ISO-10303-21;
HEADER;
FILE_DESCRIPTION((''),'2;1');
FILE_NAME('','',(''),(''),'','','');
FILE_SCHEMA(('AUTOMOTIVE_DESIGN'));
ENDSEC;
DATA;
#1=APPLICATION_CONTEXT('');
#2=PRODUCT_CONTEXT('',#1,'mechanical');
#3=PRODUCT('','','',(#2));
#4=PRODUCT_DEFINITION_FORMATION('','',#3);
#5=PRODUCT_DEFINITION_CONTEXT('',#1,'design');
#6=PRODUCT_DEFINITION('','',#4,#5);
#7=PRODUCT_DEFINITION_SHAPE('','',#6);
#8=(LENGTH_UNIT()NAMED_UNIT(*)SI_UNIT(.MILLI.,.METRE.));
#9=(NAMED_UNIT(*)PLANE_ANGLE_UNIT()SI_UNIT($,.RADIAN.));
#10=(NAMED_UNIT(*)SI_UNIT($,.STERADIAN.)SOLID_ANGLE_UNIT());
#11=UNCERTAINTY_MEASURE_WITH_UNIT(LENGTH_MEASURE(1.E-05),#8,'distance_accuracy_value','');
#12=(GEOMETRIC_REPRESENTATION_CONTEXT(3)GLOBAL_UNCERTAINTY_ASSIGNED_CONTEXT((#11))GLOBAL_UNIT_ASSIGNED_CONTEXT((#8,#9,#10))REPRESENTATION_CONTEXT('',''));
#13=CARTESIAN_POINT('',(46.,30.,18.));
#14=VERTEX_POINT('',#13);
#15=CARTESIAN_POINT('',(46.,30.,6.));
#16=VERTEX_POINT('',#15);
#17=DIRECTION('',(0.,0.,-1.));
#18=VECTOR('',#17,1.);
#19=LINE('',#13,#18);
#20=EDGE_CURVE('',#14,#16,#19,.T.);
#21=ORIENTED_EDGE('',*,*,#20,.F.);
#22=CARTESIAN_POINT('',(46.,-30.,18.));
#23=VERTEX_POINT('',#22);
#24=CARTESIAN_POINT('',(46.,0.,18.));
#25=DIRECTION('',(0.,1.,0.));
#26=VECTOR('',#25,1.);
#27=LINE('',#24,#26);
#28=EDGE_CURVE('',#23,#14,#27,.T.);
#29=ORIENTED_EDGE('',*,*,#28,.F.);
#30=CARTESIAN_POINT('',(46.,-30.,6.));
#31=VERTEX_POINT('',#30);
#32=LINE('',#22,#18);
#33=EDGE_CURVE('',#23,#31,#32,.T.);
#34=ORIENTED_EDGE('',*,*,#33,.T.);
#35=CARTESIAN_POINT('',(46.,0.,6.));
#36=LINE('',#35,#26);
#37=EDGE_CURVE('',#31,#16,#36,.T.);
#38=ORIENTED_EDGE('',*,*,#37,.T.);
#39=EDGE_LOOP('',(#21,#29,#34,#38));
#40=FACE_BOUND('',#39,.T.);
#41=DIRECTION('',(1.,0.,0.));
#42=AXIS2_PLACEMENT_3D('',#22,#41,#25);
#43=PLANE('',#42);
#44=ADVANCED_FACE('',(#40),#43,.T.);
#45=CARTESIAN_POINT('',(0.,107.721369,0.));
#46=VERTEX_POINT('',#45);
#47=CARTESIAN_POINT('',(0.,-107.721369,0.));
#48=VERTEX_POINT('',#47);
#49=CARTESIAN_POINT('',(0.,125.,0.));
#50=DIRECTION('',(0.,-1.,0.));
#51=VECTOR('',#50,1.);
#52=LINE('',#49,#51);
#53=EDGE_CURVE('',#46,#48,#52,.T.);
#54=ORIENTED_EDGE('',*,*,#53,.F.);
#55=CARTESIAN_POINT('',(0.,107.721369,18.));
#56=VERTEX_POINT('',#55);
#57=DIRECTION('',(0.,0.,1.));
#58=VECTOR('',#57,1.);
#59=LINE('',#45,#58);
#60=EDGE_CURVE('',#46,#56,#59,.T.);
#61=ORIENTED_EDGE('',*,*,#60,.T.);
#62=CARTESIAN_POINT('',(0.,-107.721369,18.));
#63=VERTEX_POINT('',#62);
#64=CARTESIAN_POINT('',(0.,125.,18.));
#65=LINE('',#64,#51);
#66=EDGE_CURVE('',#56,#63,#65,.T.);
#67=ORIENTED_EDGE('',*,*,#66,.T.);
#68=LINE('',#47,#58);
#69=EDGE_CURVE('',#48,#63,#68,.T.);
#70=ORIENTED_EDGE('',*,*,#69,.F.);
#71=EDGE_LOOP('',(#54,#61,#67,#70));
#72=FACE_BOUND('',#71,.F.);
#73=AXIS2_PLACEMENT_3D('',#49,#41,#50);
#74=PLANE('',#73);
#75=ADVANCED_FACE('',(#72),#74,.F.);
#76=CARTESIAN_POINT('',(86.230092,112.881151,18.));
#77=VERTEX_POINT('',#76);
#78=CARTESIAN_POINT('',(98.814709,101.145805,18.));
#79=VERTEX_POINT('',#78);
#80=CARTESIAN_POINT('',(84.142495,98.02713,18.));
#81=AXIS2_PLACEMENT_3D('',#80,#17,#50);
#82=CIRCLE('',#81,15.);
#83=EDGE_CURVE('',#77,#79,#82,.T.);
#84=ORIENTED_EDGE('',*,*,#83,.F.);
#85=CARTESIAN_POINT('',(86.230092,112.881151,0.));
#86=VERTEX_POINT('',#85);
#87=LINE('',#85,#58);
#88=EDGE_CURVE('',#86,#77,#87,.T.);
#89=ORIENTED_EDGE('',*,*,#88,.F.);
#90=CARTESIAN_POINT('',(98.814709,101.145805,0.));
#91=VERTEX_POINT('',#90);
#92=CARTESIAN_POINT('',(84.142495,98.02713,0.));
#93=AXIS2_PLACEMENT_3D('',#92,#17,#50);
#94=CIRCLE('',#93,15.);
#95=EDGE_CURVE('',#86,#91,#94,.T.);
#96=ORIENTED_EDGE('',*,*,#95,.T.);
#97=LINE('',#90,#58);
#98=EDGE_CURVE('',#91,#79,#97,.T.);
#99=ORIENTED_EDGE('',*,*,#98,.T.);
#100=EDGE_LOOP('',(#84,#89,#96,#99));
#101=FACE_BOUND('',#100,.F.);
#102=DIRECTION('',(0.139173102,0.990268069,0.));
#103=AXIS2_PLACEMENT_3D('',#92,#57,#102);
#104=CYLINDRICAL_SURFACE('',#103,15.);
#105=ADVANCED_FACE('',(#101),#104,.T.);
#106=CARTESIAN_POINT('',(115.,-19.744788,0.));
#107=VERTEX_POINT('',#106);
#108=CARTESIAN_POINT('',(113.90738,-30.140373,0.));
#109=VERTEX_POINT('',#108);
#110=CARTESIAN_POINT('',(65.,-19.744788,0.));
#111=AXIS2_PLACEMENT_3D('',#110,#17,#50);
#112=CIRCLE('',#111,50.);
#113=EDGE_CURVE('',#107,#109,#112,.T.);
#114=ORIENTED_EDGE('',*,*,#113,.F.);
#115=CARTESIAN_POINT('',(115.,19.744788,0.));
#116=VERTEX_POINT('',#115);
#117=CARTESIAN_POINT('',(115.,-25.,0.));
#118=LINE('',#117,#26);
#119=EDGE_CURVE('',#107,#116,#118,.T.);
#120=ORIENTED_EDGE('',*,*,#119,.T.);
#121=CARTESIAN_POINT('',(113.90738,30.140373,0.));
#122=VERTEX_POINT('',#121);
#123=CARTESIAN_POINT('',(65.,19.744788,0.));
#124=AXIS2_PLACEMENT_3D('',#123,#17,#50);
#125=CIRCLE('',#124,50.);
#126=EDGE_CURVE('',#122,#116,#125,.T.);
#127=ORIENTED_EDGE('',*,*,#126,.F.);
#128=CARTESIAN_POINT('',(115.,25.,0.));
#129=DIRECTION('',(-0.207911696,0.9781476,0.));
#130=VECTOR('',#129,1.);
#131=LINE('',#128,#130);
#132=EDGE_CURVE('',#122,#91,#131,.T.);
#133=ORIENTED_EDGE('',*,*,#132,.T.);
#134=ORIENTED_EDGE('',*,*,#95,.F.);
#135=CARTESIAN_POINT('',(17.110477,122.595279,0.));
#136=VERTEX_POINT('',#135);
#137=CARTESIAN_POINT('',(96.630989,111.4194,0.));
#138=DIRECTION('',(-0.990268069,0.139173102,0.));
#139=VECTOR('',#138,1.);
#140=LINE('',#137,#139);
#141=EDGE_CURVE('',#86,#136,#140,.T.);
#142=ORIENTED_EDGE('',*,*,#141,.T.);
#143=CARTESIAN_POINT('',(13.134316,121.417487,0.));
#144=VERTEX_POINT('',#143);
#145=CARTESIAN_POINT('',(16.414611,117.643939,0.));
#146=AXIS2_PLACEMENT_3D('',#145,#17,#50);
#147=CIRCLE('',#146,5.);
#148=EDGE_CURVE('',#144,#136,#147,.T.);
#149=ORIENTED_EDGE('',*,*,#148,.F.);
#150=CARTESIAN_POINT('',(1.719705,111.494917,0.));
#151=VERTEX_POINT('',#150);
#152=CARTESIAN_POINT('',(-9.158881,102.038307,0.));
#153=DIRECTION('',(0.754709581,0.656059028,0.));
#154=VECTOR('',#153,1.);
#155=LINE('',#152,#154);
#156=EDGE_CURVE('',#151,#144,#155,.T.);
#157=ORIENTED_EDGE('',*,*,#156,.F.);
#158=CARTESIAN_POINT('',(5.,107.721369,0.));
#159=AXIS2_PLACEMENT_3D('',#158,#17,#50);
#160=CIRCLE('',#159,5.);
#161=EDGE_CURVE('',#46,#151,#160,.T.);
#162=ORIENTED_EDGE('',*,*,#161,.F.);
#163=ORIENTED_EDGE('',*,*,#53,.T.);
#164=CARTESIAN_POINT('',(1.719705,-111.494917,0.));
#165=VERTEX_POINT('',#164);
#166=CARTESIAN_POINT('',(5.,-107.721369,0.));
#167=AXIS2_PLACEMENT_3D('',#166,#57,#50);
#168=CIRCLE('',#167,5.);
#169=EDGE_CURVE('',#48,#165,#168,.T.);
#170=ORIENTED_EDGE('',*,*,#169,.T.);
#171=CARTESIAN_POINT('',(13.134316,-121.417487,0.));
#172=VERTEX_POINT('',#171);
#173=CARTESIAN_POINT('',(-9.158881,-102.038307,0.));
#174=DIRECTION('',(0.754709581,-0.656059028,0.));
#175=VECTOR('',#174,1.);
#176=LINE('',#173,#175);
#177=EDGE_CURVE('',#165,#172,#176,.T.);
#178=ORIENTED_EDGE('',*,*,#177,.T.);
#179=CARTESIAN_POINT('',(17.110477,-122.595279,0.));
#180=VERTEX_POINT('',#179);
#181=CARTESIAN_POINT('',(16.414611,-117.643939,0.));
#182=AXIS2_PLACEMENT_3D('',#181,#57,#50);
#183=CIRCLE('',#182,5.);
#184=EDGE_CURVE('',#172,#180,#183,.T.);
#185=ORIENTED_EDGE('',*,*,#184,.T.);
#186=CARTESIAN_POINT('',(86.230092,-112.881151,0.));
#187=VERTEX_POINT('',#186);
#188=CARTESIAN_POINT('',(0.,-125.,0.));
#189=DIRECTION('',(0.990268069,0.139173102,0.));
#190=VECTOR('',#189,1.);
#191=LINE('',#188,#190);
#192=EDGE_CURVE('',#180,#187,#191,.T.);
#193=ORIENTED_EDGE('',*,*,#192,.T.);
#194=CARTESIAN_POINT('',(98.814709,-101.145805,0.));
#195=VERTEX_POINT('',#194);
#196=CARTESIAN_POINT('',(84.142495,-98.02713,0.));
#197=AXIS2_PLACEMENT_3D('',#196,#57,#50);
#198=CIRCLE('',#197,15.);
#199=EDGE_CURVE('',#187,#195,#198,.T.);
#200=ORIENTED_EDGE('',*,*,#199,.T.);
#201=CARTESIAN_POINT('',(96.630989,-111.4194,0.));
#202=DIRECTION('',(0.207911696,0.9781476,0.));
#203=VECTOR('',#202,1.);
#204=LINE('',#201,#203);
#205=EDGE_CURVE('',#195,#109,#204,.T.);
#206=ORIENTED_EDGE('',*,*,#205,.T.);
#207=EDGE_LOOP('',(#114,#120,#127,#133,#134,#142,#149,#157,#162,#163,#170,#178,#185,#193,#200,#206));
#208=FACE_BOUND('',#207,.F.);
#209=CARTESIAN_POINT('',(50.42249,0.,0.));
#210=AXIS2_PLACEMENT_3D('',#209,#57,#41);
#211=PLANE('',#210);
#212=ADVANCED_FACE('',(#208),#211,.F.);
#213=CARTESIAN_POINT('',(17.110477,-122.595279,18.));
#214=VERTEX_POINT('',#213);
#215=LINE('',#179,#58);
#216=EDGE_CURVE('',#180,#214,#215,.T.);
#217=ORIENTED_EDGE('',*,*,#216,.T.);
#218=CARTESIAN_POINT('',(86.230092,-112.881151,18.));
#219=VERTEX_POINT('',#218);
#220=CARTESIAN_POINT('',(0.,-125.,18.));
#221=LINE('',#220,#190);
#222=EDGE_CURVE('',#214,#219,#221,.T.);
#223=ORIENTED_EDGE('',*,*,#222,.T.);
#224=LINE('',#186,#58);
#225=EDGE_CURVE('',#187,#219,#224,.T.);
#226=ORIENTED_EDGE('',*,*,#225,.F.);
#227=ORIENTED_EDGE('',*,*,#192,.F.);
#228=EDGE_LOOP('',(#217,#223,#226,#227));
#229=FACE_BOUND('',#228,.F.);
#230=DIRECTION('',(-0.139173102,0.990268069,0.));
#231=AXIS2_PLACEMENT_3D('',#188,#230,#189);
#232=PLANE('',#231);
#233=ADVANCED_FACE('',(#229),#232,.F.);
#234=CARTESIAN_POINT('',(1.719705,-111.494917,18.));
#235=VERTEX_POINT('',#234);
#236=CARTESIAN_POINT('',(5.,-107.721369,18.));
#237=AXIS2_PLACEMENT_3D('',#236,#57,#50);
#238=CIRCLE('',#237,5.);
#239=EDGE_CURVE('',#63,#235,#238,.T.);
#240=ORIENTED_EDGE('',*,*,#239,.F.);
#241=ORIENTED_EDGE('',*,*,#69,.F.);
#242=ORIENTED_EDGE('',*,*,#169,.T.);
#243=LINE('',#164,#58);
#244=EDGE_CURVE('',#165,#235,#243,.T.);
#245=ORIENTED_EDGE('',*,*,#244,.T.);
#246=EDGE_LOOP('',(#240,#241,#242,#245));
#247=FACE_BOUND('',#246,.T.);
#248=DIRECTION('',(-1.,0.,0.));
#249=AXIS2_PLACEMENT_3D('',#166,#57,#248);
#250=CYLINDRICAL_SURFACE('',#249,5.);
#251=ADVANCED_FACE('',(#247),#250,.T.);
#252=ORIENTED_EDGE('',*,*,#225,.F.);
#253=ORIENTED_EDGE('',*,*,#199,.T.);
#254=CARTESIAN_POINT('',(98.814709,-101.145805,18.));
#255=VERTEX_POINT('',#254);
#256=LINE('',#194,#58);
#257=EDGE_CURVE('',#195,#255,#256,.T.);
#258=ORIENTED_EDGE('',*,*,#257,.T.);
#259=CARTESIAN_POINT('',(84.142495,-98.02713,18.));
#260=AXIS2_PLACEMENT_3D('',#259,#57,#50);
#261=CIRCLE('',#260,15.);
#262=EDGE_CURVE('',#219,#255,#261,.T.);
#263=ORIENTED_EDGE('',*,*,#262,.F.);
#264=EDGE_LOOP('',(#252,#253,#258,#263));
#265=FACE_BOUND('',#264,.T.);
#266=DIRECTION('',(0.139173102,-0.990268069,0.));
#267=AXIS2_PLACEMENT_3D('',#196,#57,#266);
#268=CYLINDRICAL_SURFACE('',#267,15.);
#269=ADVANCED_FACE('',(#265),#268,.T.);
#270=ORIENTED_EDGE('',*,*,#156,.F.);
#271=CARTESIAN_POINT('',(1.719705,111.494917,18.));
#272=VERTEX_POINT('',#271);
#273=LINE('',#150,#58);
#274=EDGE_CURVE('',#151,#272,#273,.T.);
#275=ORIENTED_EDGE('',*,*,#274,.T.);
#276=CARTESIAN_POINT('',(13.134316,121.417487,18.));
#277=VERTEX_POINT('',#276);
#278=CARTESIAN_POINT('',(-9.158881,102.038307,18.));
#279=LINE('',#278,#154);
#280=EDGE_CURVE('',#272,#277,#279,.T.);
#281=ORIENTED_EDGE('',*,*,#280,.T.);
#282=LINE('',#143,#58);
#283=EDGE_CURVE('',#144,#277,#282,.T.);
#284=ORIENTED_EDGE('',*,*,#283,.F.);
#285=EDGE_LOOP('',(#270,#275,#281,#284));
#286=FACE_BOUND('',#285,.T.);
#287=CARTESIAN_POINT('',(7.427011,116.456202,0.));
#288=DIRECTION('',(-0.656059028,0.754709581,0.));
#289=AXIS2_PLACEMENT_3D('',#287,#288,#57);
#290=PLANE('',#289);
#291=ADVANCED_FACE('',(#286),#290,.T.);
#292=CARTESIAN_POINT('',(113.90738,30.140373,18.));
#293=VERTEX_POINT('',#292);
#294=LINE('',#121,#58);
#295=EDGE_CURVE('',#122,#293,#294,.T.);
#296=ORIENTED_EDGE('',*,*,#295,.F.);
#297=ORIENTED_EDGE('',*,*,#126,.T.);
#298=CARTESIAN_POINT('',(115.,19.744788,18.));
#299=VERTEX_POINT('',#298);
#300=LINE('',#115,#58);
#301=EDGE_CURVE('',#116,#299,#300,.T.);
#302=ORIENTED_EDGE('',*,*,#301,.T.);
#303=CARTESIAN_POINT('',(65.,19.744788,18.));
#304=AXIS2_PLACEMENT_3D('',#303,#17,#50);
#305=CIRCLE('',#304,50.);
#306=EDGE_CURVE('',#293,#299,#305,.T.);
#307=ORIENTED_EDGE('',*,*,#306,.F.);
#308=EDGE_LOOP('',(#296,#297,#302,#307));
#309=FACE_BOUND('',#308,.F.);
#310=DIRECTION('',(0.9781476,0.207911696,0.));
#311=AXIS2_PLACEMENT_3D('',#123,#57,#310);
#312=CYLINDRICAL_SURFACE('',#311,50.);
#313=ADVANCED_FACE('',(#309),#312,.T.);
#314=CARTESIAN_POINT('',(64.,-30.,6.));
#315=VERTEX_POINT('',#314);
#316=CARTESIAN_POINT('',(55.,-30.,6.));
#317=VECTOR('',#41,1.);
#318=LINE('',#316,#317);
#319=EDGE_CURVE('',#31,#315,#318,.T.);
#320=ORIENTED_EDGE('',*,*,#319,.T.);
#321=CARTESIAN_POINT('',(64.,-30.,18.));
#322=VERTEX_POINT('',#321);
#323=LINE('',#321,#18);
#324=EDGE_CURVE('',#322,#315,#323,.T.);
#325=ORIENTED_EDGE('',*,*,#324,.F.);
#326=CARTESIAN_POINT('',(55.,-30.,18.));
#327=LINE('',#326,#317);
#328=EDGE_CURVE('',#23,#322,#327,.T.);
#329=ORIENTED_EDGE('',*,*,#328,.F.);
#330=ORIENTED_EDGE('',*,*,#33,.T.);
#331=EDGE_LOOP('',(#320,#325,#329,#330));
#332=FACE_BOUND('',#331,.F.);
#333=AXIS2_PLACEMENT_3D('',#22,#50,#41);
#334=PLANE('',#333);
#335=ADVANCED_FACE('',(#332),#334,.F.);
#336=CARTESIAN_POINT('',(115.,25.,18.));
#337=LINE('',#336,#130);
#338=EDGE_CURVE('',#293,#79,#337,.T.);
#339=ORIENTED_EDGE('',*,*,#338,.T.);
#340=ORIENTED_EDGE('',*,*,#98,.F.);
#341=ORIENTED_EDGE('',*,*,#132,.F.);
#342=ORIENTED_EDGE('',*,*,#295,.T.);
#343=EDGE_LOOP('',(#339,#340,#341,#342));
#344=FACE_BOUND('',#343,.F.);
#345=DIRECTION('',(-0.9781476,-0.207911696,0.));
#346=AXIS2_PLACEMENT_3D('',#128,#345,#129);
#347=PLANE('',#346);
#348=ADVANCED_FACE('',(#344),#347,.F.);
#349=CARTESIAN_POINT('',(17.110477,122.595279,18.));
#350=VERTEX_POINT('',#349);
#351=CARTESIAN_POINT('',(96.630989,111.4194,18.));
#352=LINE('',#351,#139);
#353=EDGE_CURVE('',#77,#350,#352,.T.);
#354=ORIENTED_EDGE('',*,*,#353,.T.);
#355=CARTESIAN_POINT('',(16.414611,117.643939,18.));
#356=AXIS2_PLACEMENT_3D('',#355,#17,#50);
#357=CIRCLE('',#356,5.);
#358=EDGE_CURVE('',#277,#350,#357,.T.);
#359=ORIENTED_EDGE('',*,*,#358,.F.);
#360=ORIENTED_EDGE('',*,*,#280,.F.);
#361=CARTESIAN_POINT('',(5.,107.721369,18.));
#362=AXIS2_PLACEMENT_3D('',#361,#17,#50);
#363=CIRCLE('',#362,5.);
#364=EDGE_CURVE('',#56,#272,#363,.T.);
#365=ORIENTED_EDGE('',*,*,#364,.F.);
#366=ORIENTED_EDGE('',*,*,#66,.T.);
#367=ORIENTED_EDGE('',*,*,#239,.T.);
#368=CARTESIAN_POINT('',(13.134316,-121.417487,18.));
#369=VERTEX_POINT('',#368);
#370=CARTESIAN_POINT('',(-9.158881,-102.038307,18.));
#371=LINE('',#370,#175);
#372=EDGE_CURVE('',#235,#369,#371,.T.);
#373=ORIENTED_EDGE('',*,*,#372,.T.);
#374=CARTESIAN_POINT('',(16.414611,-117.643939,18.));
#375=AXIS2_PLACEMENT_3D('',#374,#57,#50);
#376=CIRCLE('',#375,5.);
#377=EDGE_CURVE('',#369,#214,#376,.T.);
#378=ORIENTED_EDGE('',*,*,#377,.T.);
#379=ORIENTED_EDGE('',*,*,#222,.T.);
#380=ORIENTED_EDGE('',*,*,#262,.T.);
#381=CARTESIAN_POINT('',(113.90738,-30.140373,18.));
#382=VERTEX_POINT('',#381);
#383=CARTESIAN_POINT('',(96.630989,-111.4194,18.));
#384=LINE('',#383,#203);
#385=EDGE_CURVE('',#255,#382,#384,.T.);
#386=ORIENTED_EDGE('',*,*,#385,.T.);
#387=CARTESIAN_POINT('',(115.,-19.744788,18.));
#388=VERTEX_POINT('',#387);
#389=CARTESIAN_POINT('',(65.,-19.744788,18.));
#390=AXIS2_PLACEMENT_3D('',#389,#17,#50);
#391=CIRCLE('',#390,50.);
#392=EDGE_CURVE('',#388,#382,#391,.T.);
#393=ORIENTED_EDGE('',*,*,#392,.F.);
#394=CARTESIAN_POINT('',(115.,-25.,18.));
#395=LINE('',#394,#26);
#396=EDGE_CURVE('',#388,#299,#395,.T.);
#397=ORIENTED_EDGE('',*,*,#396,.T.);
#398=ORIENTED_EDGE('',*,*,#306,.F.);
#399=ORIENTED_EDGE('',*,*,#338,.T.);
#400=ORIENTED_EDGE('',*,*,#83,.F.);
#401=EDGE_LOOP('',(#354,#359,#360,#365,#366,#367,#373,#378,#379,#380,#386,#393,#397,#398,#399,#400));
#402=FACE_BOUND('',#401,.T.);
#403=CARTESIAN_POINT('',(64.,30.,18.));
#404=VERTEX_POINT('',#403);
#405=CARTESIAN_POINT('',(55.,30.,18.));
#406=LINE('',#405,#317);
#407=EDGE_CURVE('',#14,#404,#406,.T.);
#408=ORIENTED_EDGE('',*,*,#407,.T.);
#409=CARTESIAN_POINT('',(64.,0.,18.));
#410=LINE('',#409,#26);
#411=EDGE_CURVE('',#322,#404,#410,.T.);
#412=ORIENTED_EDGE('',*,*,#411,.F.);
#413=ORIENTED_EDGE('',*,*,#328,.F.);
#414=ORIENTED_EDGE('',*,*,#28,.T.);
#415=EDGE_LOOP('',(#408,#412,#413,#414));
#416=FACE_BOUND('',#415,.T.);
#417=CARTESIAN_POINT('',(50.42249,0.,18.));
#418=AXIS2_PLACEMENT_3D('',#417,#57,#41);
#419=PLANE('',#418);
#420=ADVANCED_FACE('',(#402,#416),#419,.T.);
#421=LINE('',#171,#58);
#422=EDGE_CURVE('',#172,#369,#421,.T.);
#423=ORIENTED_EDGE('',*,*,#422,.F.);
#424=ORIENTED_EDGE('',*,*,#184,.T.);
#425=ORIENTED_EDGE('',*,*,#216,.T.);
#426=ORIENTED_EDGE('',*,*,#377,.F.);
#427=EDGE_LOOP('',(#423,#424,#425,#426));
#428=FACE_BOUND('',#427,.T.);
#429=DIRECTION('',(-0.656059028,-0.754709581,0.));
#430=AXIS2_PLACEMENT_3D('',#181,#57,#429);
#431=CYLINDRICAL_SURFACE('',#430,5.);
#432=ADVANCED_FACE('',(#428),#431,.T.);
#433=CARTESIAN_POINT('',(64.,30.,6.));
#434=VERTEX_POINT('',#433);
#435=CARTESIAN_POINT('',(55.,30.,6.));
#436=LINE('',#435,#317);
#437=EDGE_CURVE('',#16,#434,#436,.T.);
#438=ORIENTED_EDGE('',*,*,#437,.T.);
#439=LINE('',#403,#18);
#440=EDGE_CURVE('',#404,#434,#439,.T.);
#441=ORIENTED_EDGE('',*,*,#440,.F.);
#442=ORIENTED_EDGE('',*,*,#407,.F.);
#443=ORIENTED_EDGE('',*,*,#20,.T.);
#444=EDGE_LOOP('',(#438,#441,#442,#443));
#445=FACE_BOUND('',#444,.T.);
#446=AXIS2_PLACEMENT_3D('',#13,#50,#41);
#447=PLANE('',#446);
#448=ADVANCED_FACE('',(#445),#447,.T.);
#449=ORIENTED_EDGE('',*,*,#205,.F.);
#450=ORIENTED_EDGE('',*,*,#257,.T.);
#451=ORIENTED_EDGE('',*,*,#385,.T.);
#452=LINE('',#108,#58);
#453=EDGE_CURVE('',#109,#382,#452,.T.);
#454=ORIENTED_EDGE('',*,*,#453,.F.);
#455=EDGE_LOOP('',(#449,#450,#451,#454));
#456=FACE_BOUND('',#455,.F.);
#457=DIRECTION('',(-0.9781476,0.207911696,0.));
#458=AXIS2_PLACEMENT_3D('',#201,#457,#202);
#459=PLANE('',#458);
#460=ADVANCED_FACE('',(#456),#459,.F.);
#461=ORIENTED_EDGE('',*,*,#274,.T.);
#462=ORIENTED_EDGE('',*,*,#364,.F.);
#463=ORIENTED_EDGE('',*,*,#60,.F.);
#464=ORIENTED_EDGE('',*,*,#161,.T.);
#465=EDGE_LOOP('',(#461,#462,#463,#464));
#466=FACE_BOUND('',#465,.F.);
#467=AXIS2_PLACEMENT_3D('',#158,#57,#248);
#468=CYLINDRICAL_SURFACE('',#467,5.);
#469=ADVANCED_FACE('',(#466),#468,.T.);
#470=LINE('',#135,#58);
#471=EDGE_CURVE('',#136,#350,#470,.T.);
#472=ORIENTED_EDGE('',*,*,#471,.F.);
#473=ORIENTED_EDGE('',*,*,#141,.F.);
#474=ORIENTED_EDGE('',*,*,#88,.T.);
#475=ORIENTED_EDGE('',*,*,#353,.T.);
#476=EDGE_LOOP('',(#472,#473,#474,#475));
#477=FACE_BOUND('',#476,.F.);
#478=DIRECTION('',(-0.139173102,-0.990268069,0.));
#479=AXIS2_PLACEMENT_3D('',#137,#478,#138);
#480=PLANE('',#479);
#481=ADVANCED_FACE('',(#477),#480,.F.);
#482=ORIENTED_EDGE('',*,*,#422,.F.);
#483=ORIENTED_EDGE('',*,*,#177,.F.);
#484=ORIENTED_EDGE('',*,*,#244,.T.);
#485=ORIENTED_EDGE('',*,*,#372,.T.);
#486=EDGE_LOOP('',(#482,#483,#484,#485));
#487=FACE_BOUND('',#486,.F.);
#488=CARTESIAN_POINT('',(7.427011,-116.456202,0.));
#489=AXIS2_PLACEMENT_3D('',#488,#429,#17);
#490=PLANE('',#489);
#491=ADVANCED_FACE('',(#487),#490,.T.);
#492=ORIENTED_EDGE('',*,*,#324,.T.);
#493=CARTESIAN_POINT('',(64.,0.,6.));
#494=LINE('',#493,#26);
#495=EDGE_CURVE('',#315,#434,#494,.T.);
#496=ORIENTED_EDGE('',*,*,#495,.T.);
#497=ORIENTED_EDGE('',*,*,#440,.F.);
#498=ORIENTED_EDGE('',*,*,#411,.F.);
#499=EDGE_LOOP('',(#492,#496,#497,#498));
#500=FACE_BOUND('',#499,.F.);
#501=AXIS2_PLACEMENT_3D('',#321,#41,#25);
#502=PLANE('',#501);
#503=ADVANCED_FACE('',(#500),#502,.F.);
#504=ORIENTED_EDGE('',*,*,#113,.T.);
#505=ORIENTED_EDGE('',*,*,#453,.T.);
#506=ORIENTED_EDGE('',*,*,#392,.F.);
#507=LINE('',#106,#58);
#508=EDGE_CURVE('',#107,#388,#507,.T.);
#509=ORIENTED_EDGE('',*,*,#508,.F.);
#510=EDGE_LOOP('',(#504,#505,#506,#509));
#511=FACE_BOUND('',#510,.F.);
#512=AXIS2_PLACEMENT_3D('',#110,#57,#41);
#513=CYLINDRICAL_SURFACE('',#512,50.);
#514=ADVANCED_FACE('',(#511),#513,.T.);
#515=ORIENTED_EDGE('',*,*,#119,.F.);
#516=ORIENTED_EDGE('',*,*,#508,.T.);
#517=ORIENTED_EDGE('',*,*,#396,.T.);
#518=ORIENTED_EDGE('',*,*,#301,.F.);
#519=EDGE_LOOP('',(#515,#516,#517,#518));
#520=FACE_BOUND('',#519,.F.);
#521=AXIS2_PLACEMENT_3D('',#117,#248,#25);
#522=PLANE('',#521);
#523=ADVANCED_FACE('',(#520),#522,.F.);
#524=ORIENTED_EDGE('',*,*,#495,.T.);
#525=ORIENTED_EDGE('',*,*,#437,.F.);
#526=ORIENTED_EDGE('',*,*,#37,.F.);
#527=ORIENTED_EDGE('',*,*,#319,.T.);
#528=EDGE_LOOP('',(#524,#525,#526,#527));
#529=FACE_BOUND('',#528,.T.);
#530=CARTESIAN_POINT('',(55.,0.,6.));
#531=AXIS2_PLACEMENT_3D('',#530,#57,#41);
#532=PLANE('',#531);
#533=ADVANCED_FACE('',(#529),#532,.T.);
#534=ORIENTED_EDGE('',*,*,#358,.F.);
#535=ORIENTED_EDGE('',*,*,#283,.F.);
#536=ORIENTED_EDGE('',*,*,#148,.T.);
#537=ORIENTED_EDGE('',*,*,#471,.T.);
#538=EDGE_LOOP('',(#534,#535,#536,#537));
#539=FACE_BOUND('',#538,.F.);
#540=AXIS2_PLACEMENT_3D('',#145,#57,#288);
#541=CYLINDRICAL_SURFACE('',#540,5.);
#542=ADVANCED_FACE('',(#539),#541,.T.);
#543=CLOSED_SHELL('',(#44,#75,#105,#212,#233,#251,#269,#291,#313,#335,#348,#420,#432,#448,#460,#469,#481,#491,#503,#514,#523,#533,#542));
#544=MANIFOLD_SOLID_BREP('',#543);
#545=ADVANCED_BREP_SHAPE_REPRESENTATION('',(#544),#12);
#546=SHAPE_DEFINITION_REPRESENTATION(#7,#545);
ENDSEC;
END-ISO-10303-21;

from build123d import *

# Parameters (mm, degrees)
PAD_DEPTH    = 18
SKETCH001_W  = 18
SKETCH001_H  = 60
POCKET_DEPTH = 12
CHAMFER_SIZE = 15
FILLET_R     = 5
FILLET001_R  = 15
FILLET002_R  = 50


with BuildPart() as part:
    # Sketch → Pad (new body)
    with BuildSketch(Plane.XY):
        Polygon((0, 125), (0, -125), (96.630989, -111.4194), (115, -25), (115, 25), (96.630989, 111.4194), align=None)
    extrude(amount=PAD_DEPTH)

    # Sketch001 → Pocket (cut)
    with BuildSketch(Plane.XY.offset(18)):
        with Locations((55, 0)):
            Rectangle(SKETCH001_W, SKETCH001_H)
    extrude(amount=-POCKET_DEPTH, mode=Mode.SUBTRACT)

    # Chamfer
    chamfer_edges = [part.edges().sort_by_distance(p)[0] for p in [
        (0, -125, 9),
        (0, 125, 9),
    ]]
    chamfer(chamfer_edges, length=CHAMFER_SIZE)

    # Fillet
    fillet_edges = [part.edges().sort_by_distance(p)[0] for p in [
        (14.854021, 122.912403, 9),
        (0, 110, 9),
        (0, -110, 9),
        (14.854021, -122.912403, 9),
    ]]
    fillet(fillet_edges, radius=FILLET_R)

    # Fillet001
    fillet001_edges = [part.edges().sort_by_distance(p)[0] for p in [
        (96.630989, -111.4194, 9),
        (96.630989, 111.4194, 9),
    ]]
    fillet(fillet001_edges, radius=FILLET001_R)

    # Fillet002
    fillet002_edges = [part.edges().sort_by_distance(p)[0] for p in [
        (115, -25, 9),
        (115, 25, 9),
    ]]
    fillet(fillet002_edges, radius=FILLET002_R)


solid = part.part
